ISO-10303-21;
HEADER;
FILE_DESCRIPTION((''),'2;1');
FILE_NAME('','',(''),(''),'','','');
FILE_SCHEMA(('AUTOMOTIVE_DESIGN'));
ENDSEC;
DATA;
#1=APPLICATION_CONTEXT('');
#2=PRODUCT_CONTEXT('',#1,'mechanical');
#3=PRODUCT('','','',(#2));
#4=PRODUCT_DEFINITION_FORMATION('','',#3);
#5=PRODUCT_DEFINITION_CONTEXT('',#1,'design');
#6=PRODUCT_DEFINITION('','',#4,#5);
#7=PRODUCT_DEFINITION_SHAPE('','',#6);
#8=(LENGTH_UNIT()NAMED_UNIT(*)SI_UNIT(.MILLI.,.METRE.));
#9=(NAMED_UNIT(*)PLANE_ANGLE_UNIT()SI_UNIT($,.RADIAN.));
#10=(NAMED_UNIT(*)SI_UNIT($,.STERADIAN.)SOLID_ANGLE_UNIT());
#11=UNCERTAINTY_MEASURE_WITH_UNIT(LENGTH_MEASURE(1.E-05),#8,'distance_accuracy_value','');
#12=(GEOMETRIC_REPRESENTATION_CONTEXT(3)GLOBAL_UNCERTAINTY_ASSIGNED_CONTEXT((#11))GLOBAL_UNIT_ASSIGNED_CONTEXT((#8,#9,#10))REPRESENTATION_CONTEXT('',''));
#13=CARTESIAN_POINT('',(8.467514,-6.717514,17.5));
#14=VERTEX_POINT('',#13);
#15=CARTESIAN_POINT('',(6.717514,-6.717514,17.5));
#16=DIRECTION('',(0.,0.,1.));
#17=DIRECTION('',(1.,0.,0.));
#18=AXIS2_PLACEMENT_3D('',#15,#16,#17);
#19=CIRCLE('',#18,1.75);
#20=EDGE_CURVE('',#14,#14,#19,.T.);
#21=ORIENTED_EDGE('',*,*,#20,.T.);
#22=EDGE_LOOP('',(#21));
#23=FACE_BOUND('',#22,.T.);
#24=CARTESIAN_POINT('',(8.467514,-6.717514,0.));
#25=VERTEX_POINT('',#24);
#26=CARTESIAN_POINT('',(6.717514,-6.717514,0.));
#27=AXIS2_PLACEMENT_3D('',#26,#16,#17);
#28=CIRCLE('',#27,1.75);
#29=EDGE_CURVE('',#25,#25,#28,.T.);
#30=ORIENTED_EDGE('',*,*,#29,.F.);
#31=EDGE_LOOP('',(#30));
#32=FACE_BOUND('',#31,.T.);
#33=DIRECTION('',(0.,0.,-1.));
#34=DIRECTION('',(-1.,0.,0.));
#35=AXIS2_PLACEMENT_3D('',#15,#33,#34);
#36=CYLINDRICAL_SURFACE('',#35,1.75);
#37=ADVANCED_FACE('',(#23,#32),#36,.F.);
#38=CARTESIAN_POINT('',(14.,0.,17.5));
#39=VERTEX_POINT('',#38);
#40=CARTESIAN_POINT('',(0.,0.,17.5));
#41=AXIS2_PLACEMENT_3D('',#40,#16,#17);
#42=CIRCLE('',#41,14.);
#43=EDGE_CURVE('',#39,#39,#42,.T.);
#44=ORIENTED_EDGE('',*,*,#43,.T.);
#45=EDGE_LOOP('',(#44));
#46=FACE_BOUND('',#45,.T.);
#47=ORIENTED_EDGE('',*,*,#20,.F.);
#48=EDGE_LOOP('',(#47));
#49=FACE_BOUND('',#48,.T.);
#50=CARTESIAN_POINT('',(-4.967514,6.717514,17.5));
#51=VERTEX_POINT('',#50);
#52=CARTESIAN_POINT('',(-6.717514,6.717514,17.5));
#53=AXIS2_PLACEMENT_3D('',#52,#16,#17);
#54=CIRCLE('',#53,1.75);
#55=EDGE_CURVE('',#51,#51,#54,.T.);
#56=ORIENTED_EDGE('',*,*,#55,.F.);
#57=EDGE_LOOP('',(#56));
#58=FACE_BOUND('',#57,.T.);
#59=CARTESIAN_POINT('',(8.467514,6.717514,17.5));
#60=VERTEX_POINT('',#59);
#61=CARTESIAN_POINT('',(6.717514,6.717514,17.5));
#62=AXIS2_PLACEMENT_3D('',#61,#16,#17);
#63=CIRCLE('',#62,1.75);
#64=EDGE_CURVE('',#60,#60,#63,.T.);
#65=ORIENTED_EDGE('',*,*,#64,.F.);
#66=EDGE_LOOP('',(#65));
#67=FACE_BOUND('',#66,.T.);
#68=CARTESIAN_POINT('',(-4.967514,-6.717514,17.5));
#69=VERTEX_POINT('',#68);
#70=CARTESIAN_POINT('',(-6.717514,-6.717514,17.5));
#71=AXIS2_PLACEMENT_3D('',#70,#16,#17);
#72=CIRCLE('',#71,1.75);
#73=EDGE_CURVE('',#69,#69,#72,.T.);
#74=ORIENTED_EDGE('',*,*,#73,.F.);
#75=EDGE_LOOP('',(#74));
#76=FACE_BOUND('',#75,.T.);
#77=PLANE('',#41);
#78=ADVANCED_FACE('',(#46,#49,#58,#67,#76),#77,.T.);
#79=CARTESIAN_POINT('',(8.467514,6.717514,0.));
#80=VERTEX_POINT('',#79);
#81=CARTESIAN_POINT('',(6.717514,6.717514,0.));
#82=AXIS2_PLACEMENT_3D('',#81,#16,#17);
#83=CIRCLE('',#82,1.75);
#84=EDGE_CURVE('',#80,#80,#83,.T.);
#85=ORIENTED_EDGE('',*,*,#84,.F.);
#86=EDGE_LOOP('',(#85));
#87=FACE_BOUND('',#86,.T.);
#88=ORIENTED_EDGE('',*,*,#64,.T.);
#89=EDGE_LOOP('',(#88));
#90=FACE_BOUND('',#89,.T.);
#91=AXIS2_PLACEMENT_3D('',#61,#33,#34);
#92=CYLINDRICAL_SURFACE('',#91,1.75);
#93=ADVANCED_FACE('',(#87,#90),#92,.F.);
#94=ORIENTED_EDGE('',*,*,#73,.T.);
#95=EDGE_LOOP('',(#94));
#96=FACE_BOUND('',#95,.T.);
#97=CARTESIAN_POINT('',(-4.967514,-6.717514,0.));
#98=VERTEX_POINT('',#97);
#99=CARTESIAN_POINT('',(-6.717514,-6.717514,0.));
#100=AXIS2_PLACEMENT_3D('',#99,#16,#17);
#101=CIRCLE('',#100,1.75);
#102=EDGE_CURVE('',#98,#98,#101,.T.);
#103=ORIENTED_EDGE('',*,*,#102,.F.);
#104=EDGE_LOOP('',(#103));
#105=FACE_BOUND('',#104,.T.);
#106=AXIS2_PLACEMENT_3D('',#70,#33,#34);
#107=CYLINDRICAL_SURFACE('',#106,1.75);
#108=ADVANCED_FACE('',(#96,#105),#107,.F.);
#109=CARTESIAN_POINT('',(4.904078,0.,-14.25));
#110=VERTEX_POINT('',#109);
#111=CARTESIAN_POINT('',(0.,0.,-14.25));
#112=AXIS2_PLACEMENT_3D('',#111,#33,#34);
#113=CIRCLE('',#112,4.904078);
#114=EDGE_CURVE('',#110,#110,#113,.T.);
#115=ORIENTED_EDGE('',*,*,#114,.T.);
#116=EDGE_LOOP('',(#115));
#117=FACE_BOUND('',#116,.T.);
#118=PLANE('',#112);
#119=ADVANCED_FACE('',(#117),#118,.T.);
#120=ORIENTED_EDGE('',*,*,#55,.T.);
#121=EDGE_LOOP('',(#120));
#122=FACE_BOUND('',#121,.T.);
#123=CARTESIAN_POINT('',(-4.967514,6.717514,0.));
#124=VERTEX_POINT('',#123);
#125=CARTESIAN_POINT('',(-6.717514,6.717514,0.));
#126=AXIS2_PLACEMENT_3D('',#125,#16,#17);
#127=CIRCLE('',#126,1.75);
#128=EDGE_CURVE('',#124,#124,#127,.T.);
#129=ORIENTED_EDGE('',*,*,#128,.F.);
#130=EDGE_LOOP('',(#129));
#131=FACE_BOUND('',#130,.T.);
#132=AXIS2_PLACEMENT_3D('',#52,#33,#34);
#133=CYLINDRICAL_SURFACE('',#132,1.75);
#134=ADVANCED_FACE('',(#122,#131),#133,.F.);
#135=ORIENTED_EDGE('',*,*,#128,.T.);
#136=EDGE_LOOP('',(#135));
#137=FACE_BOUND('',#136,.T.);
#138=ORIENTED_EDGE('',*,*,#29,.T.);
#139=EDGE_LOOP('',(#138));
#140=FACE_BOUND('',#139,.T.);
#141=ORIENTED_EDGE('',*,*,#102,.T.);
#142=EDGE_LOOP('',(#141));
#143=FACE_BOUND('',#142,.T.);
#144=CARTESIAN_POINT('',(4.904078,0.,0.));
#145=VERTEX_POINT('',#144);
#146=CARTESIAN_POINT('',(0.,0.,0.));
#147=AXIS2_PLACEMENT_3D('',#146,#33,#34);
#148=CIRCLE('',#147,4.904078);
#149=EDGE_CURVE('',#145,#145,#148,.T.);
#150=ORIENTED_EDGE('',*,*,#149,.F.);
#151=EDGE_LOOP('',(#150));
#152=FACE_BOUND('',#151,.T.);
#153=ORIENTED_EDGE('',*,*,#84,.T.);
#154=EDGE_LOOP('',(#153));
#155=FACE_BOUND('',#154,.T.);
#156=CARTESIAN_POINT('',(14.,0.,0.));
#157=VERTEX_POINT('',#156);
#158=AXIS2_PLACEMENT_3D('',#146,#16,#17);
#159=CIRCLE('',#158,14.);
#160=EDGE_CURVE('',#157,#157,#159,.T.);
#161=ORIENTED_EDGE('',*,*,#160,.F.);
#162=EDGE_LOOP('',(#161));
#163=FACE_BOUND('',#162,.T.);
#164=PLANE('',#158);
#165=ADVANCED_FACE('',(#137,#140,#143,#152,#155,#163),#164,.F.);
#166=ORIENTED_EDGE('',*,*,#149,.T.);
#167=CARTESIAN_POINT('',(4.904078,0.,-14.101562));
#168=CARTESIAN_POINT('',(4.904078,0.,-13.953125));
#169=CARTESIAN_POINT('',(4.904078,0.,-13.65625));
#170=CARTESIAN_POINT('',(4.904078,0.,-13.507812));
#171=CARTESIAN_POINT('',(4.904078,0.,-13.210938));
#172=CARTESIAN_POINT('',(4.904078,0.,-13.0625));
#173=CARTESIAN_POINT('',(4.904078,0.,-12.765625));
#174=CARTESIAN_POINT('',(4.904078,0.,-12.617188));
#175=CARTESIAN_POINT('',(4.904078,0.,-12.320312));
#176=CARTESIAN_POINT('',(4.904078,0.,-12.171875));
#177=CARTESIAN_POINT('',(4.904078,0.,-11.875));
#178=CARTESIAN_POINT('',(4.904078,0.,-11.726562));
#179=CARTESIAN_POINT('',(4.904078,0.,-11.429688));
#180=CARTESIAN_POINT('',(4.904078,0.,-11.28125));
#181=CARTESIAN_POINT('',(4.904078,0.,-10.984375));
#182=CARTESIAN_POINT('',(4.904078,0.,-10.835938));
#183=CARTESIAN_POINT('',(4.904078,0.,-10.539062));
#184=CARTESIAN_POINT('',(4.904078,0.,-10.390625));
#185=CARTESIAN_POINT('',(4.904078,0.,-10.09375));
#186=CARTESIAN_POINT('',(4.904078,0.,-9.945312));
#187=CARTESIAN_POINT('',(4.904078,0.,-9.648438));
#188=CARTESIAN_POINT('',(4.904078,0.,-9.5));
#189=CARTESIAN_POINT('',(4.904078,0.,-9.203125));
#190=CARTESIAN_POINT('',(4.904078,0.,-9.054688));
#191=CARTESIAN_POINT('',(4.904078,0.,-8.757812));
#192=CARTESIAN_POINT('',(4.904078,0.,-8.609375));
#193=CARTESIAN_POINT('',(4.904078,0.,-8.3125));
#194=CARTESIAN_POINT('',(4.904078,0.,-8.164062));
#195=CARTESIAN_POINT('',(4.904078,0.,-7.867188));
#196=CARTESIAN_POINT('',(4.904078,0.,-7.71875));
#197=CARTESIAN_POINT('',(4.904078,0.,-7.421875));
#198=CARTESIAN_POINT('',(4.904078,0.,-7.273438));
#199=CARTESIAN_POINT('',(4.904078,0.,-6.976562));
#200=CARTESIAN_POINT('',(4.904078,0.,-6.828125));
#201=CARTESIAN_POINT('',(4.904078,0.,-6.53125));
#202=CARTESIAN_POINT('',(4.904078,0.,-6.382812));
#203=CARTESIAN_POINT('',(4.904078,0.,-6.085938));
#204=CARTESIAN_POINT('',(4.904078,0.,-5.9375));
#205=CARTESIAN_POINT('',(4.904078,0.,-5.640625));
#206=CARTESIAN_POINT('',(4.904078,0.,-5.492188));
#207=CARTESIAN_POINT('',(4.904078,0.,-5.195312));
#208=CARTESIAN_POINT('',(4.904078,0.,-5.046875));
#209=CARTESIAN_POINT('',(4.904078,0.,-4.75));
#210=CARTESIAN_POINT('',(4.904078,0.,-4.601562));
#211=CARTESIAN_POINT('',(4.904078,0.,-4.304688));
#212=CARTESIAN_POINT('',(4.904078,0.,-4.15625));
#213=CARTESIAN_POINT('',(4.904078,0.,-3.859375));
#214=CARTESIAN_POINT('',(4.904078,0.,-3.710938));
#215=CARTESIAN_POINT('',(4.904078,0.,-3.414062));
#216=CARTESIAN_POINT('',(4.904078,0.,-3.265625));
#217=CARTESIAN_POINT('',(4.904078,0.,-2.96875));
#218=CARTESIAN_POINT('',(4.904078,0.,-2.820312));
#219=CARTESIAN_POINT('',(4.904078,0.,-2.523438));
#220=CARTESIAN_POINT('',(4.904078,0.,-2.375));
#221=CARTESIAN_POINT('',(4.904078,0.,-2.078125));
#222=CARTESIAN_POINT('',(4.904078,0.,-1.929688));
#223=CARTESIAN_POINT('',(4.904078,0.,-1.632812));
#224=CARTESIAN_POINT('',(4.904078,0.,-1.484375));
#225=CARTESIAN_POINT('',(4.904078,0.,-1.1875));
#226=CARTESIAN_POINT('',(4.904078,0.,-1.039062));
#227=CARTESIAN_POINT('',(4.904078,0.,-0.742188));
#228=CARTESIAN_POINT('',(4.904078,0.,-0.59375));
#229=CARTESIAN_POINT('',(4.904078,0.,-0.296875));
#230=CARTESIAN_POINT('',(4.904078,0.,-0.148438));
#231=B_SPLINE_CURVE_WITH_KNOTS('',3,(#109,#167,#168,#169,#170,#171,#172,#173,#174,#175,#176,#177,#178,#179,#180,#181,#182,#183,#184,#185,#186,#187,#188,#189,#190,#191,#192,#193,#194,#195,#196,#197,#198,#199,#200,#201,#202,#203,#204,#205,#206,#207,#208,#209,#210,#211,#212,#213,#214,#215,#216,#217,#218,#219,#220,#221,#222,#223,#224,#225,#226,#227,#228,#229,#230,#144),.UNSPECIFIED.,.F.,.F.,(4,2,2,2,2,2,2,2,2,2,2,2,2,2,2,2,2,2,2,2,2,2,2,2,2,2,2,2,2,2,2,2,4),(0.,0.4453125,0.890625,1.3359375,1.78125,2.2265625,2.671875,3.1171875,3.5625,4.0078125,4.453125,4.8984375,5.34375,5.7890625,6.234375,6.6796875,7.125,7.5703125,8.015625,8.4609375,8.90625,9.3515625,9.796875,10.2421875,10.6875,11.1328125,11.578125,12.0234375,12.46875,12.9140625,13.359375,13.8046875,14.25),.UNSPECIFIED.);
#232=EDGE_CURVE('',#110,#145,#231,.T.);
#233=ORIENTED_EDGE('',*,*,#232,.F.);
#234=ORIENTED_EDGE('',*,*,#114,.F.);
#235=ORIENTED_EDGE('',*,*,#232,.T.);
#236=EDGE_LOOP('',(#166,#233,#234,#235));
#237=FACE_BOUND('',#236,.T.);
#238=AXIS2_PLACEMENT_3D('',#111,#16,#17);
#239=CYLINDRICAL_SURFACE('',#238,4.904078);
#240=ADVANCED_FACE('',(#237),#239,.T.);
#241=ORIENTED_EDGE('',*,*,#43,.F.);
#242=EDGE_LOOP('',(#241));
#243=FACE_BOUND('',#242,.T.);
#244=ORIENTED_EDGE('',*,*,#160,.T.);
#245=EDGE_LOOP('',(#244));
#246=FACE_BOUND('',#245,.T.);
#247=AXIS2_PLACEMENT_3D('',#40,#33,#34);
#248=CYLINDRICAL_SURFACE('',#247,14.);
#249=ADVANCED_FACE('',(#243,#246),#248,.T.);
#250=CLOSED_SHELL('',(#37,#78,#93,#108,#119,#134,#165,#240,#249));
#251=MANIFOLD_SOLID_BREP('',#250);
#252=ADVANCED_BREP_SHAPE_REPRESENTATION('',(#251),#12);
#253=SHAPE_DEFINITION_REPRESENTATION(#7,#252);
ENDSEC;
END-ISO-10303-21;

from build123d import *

# Parameters (mm, degrees)
ESQUISSE1_R        = 14
ESQUISSE1_R_2      = 1.75
BOSS_EXTRU_1_DEPTH = 17.5
ESQUISSE2_R        = 4.904077813
BOSS_EXTRU_2_DEPTH = 14.25


with BuildPart() as part:
    # Esquisse1 → Boss.-Extru.1 (new body)
    with BuildSketch(Plane.XY):
        Circle(ESQUISSE1_R)
        with Locations((-6.717514421, 6.717514421)):
            Circle(ESQUISSE1_R_2, mode=Mode.SUBTRACT)
        with Locations((6.717514421, 6.717514421)):
            Circle(ESQUISSE1_R_2, mode=Mode.SUBTRACT)
        with Locations((6.717514421, -6.717514421)):
            Circle(ESQUISSE1_R_2, mode=Mode.SUBTRACT)
        with Locations((-6.717514421, -6.717514421)):
            Circle(ESQUISSE1_R_2, mode=Mode.SUBTRACT)
    extrude(amount=BOSS_EXTRU_1_DEPTH)

    # Esquisse2 → Boss.-Extru.2 (add)
    with BuildSketch(Plane(origin=(0, 0, 0), x_dir=(-1, 0, 0), z_dir=(0, 0, -1))):
        with Locations(Location((0, 0, 0), (0, 0, 180))):
            Circle(ESQUISSE2_R)
    extrude(amount=BOSS_EXTRU_2_DEPTH)


solid = part.part
